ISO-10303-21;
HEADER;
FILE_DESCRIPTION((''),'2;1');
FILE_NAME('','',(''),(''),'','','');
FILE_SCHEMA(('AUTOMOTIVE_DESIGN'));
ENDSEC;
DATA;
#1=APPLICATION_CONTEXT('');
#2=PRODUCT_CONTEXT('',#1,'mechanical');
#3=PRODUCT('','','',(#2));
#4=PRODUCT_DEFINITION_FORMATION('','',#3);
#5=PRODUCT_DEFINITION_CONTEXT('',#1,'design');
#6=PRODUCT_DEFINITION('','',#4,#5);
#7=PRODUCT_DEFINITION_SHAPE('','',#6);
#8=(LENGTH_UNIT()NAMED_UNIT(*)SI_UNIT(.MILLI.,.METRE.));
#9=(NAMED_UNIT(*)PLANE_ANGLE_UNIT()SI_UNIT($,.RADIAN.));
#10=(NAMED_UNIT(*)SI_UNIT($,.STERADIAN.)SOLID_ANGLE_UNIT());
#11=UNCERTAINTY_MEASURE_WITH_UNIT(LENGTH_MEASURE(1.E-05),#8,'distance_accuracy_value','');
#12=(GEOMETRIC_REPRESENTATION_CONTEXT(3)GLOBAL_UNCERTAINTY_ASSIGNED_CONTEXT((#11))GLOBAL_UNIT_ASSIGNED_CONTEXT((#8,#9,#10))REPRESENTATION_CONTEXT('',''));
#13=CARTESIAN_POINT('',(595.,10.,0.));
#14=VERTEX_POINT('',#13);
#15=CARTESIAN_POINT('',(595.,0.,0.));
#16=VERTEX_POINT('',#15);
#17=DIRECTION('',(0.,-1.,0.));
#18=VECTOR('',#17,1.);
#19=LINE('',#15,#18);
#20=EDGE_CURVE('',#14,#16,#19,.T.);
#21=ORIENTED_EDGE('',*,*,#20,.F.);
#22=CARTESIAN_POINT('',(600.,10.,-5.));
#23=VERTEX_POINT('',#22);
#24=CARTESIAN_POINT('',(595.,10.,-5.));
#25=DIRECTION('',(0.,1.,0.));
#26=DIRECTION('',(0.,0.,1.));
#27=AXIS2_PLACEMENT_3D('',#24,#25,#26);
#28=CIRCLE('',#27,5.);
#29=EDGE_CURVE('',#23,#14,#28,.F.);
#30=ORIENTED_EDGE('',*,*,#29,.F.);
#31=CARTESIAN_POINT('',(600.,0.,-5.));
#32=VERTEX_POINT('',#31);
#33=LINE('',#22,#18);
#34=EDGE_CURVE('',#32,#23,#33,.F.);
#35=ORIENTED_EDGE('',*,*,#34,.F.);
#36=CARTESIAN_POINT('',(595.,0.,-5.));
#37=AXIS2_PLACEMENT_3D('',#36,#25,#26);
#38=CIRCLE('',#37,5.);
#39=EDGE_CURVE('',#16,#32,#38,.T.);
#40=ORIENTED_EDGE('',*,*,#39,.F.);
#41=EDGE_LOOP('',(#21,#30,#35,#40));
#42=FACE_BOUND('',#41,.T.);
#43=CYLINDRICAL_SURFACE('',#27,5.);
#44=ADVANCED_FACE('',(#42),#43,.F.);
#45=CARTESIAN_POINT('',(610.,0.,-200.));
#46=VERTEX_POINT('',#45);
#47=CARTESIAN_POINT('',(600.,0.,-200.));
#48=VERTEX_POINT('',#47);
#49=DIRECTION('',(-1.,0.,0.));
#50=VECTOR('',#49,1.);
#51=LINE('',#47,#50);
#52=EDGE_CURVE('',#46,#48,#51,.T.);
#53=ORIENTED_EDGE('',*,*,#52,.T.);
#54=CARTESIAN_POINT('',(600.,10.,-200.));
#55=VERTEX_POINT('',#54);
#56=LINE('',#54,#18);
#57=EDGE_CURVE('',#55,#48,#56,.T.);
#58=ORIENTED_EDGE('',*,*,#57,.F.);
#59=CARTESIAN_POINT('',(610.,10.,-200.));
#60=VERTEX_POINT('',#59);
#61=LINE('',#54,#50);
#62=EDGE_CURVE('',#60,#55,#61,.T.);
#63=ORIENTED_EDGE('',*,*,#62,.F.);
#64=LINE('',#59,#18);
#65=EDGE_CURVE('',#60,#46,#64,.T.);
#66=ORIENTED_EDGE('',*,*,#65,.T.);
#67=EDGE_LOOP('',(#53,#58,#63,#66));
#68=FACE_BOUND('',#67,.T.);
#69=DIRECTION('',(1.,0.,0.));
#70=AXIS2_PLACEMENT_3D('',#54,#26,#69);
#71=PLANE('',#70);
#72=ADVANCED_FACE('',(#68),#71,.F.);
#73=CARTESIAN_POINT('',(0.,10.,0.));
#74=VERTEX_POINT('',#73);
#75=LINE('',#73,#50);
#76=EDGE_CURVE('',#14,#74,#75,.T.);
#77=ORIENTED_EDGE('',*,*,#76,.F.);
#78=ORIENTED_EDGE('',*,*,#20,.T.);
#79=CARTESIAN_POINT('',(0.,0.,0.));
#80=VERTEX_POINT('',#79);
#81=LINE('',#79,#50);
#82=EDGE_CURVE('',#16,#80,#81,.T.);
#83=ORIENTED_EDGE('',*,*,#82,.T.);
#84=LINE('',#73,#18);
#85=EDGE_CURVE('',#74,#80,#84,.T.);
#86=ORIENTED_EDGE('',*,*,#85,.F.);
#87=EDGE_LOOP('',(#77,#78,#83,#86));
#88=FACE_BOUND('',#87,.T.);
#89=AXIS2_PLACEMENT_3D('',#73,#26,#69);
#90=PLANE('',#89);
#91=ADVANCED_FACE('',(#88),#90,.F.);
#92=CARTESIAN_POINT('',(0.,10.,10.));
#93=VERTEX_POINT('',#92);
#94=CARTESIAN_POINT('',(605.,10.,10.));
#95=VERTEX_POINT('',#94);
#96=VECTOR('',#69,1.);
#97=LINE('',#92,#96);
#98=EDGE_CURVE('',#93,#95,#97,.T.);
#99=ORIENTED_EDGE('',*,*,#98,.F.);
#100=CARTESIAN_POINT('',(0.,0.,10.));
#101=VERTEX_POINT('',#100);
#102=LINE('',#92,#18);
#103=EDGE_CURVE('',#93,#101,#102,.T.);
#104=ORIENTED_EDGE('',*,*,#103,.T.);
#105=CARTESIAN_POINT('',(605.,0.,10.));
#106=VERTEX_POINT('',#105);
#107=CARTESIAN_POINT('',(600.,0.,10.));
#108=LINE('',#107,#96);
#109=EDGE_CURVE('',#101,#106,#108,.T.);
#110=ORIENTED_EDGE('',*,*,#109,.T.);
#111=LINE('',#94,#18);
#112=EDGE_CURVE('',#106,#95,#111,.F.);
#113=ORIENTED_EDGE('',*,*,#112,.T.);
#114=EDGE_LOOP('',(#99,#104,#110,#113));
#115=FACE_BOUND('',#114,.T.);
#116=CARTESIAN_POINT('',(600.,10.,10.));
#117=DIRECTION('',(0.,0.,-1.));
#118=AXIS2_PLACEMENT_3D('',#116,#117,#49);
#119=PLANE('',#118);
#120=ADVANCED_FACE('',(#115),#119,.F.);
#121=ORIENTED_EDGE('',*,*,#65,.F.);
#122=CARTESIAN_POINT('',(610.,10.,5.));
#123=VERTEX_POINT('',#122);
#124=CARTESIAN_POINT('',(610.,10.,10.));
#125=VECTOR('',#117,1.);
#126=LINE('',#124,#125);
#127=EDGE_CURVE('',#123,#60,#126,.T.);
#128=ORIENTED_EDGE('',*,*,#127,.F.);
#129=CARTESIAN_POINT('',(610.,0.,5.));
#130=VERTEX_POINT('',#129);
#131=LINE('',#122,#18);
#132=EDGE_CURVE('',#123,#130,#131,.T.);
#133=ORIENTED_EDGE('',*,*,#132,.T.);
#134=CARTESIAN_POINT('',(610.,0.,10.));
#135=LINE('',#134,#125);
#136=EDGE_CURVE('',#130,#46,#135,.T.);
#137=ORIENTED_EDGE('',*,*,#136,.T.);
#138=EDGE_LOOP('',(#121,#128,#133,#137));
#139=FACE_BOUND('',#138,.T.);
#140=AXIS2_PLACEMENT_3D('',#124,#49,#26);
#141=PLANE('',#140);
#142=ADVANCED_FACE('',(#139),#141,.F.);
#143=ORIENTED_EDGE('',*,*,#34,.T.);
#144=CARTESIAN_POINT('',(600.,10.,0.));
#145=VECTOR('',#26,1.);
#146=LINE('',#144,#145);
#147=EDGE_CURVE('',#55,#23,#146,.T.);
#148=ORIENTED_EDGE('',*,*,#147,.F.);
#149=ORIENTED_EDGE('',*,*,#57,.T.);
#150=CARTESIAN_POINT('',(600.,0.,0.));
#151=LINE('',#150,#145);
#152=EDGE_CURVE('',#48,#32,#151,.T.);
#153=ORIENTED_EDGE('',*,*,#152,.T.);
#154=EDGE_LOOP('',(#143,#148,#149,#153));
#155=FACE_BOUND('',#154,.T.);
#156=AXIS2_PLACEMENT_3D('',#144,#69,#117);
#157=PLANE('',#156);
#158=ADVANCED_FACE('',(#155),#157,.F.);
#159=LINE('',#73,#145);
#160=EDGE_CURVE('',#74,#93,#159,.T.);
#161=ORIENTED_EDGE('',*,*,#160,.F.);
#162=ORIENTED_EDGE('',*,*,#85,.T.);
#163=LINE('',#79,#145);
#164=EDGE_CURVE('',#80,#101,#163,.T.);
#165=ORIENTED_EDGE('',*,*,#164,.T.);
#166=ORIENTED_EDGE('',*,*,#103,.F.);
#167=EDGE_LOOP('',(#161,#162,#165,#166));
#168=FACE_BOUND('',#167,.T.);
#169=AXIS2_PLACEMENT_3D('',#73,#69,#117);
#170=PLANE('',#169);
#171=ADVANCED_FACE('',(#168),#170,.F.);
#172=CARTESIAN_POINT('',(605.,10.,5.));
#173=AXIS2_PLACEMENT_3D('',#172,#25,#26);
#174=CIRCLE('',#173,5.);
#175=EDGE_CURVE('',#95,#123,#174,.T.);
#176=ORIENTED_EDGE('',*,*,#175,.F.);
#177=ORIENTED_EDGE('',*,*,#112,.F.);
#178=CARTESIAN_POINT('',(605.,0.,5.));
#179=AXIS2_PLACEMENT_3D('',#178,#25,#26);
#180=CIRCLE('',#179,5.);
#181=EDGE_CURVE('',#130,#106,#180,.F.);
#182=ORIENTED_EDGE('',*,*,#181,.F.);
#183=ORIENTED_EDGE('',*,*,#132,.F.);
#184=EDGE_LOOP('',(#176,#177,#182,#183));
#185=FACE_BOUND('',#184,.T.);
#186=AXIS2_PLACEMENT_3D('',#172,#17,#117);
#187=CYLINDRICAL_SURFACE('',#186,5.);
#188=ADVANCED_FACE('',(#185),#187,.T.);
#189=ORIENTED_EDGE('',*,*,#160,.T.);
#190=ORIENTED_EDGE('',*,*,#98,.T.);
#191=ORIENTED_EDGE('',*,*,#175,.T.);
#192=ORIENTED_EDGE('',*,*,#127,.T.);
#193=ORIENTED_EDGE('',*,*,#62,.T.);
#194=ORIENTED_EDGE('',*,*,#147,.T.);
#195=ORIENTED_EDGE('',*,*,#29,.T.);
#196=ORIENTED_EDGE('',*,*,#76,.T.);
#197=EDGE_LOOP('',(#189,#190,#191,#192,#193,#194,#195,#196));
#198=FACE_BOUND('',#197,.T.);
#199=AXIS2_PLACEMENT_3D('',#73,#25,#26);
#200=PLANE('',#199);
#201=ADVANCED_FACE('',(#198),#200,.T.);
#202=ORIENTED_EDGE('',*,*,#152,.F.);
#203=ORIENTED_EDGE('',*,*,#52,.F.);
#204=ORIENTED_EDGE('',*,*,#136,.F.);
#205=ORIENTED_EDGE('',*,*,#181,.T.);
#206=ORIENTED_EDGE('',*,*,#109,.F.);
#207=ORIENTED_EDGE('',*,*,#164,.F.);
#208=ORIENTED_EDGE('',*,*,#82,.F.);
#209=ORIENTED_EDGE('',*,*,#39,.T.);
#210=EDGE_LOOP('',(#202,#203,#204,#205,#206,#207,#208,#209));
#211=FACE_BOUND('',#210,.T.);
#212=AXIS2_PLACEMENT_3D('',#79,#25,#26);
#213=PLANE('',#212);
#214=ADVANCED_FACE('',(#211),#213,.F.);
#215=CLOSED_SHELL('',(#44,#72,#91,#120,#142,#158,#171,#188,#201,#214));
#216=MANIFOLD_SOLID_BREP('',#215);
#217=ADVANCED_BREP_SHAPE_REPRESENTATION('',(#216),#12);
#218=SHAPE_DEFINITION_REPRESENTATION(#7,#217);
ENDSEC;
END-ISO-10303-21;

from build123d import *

# Parameters (mm, degrees)
EXTRUDE_1_DEPTH = 10
FILLET_1_R      = 5
FILLET_2_R      = 5


with BuildPart() as part:
    # 草图1 → 凸台-拉伸1 (new body)
    with BuildSketch(Plane(origin=(0, 0, 0), x_dir=(1, 0, 0), z_dir=(0, 1, 0))):
        Polygon((0, 0), (600, 0), (600, 200), (610, 200), (610, -10), (600, -10), (0, -10), align=None)
    extrude(amount=EXTRUDE_1_DEPTH)

    # 圆角1
    fillet_1_edges = [part.edges().sort_by_distance(p)[0] for p in [
        (600, 5, 0),
    ]]
    fillet(fillet_1_edges, radius=FILLET_1_R)

    # 圆角2
    fillet_2_edges = [part.edges().sort_by_distance(p)[0] for p in [
        (610, 5, 10),
    ]]
    fillet(fillet_2_edges, radius=FILLET_2_R)


solid = part.part
